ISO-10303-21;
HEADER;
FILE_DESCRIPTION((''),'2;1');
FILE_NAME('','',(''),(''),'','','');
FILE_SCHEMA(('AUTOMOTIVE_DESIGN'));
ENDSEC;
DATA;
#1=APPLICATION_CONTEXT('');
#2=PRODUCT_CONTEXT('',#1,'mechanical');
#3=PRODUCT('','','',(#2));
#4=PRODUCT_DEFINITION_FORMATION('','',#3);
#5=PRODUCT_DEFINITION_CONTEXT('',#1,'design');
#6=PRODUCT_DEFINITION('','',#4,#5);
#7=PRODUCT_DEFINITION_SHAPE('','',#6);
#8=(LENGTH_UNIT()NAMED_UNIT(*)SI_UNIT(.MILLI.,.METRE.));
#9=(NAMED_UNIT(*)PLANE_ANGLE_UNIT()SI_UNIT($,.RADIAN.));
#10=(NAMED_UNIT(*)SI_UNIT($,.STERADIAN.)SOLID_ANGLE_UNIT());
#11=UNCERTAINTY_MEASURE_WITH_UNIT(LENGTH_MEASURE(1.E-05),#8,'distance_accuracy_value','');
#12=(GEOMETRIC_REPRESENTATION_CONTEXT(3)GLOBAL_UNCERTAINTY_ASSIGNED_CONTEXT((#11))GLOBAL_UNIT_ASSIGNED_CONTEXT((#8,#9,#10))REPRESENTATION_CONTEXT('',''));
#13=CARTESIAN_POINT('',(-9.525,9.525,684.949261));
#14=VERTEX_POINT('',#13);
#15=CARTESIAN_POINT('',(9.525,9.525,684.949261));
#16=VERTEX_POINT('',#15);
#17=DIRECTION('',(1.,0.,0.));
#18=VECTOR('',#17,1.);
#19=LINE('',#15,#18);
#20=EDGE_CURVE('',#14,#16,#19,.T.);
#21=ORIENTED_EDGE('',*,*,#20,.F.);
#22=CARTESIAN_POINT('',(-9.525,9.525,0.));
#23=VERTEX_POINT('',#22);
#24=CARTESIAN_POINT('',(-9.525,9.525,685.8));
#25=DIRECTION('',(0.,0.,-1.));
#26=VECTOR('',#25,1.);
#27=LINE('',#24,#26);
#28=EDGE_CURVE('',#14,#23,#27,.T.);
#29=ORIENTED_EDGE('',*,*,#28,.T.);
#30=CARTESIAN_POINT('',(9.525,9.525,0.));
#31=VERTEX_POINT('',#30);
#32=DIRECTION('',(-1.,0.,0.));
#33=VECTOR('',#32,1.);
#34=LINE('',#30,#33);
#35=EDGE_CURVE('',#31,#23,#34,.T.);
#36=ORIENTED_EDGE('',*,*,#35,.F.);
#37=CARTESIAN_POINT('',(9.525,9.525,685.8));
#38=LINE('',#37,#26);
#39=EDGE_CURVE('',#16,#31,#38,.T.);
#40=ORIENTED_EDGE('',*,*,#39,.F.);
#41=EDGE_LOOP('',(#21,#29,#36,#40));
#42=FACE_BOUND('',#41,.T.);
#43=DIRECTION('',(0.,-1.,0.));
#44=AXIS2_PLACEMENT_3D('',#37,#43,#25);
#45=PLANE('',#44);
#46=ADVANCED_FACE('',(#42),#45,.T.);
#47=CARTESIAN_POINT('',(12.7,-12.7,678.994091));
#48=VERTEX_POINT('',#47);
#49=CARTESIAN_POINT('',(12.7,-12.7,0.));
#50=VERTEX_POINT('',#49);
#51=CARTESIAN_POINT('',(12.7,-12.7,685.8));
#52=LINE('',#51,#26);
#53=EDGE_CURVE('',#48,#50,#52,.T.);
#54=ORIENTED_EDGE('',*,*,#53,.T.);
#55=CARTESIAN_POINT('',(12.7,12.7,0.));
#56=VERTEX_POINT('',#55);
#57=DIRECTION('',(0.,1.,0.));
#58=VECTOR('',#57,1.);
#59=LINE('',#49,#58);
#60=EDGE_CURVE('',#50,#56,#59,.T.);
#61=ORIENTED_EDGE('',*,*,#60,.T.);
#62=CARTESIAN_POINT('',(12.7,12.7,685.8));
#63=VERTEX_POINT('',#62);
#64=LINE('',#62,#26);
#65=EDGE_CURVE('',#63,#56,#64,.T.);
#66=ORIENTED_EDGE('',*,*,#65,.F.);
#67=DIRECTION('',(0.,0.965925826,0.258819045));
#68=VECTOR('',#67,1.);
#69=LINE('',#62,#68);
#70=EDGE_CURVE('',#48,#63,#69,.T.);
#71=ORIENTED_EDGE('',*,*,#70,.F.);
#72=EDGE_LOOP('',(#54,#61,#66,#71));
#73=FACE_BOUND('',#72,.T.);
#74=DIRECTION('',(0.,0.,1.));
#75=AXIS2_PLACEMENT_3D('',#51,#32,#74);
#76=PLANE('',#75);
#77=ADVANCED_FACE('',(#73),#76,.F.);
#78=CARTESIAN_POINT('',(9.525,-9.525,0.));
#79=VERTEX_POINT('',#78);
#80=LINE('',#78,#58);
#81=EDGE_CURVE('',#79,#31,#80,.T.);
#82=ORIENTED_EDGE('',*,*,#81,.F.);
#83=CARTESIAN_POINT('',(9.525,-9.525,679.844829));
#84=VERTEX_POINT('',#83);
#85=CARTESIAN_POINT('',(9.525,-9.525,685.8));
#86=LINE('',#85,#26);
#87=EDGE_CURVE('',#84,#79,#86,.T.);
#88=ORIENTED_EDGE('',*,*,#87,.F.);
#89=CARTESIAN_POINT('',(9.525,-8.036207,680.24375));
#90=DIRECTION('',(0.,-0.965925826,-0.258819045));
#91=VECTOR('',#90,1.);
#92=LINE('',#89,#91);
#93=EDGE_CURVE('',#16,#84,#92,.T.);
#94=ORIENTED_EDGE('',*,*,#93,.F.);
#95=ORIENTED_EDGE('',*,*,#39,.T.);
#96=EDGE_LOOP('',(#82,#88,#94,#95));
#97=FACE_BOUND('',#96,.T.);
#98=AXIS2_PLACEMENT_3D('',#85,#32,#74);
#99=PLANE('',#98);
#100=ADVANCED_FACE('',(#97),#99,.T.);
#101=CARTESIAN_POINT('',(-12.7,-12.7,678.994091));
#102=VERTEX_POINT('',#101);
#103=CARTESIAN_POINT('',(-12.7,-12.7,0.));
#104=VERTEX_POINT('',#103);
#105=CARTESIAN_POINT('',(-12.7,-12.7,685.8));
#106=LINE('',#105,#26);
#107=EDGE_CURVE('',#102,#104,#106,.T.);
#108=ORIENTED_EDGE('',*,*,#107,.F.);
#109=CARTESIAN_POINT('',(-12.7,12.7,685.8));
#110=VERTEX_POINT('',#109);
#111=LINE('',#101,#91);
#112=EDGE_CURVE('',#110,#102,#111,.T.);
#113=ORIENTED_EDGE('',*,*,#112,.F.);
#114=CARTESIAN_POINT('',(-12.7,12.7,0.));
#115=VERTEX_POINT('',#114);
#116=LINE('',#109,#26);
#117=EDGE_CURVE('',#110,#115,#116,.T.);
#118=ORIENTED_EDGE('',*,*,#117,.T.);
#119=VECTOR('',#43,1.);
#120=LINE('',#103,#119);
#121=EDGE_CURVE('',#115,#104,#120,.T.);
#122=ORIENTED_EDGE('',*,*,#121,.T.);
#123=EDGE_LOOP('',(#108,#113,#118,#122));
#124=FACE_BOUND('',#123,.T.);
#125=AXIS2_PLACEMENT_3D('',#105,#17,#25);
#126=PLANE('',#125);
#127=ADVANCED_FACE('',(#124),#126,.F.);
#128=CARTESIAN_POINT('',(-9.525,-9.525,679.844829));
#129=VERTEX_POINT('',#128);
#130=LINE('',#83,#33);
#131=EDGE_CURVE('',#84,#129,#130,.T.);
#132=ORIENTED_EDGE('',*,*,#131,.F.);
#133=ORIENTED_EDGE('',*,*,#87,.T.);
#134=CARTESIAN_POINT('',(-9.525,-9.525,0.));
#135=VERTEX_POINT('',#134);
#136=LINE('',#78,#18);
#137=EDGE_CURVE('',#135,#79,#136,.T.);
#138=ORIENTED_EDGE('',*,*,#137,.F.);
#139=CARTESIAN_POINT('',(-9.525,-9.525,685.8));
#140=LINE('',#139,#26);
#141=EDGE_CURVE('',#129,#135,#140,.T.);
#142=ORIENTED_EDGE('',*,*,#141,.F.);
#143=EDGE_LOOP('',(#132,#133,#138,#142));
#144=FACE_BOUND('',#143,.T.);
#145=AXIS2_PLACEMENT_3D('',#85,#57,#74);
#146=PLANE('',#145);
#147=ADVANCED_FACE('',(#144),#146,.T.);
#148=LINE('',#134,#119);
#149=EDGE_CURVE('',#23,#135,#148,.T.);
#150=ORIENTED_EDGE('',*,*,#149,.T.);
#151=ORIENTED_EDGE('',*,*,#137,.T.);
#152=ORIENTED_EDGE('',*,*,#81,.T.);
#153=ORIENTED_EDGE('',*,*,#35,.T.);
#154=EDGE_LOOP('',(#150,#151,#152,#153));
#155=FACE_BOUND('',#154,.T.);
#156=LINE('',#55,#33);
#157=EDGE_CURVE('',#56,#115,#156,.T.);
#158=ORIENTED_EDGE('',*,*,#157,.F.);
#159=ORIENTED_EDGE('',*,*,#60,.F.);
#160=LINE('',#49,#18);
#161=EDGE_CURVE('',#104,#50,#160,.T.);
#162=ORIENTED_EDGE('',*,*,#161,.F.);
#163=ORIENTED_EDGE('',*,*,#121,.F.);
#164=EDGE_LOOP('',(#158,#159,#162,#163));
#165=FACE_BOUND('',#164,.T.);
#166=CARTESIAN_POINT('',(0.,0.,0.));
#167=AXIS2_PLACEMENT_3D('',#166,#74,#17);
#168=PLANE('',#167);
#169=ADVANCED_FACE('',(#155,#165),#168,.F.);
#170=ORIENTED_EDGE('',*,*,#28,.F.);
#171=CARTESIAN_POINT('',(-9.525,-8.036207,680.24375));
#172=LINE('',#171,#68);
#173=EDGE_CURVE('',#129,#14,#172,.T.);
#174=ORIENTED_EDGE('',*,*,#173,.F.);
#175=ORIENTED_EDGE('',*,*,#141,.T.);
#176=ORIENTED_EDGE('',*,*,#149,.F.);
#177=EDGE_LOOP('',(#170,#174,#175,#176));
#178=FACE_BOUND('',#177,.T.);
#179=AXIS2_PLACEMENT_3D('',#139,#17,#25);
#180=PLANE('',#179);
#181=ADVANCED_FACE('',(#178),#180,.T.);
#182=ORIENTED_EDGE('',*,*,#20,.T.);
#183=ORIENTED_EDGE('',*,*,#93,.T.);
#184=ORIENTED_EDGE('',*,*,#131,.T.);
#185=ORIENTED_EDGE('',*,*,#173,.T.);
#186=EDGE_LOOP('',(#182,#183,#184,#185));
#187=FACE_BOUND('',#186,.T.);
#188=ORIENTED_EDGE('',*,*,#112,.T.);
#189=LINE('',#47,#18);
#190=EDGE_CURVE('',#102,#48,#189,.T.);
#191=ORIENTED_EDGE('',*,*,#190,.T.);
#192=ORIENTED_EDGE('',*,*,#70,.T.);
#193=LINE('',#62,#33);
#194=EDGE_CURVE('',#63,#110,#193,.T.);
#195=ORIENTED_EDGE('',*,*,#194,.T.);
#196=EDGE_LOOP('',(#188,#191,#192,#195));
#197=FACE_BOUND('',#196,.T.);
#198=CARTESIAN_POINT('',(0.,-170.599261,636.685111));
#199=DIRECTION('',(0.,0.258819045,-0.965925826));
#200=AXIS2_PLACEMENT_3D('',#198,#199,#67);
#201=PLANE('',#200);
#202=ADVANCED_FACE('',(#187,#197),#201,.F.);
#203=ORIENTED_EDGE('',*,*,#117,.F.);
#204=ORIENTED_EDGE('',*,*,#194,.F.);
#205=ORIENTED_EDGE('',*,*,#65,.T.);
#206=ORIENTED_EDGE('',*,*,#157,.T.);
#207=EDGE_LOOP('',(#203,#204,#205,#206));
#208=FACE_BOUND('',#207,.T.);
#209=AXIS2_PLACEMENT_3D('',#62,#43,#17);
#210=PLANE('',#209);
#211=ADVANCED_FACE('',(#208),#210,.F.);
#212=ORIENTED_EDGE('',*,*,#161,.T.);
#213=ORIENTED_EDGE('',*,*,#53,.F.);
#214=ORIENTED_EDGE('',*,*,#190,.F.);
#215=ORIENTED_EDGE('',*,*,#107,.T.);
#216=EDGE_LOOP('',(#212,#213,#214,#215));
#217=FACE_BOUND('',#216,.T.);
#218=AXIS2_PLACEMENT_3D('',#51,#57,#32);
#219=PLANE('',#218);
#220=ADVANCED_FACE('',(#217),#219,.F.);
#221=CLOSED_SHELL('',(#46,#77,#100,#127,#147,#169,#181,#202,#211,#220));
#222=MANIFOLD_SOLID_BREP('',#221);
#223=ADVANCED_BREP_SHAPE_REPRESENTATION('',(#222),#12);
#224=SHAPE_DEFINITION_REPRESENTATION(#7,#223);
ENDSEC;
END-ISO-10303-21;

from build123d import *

# Parameters (mm, degrees)
SKETCH1_W           = 25.4
SKETCH1_H           = 25.4
SKETCH1_W_2         = 19.05
SKETCH1_H_2         = 19.05
BOSS_EXTRUDE1_DEPTH = 685.8
SKETCH3_W           = 25.4
SKETCH3_H           = 26.296014982
CUT_EXTRUDE2_DEPTH  = 663.667216417


with BuildPart() as part:
    # Sketch1 → Boss-Extrude1 (new body)
    with BuildSketch(Plane.XY):
        Rectangle(SKETCH1_W, SKETCH1_H)
        Rectangle(SKETCH1_W_2, SKETCH1_H_2, mode=Mode.SUBTRACT)
    extrude(amount=BOSS_EXTRUDE1_DEPTH)

    # Sketch3 → Cut-Extrude2 (cut, through all)
    with BuildSketch(Plane(origin=(0, -170.599261314, 636.685110958), x_dir=(-1, 0, 0), z_dir=(0, -0.25881904510250786, 0.9659258262890718))):
        with Locations((0, -176.617351634)):
            Rectangle(SKETCH3_W, SKETCH3_H)
    extrude(amount=CUT_EXTRUDE2_DEPTH, mode=Mode.SUBTRACT)


solid = part.part
